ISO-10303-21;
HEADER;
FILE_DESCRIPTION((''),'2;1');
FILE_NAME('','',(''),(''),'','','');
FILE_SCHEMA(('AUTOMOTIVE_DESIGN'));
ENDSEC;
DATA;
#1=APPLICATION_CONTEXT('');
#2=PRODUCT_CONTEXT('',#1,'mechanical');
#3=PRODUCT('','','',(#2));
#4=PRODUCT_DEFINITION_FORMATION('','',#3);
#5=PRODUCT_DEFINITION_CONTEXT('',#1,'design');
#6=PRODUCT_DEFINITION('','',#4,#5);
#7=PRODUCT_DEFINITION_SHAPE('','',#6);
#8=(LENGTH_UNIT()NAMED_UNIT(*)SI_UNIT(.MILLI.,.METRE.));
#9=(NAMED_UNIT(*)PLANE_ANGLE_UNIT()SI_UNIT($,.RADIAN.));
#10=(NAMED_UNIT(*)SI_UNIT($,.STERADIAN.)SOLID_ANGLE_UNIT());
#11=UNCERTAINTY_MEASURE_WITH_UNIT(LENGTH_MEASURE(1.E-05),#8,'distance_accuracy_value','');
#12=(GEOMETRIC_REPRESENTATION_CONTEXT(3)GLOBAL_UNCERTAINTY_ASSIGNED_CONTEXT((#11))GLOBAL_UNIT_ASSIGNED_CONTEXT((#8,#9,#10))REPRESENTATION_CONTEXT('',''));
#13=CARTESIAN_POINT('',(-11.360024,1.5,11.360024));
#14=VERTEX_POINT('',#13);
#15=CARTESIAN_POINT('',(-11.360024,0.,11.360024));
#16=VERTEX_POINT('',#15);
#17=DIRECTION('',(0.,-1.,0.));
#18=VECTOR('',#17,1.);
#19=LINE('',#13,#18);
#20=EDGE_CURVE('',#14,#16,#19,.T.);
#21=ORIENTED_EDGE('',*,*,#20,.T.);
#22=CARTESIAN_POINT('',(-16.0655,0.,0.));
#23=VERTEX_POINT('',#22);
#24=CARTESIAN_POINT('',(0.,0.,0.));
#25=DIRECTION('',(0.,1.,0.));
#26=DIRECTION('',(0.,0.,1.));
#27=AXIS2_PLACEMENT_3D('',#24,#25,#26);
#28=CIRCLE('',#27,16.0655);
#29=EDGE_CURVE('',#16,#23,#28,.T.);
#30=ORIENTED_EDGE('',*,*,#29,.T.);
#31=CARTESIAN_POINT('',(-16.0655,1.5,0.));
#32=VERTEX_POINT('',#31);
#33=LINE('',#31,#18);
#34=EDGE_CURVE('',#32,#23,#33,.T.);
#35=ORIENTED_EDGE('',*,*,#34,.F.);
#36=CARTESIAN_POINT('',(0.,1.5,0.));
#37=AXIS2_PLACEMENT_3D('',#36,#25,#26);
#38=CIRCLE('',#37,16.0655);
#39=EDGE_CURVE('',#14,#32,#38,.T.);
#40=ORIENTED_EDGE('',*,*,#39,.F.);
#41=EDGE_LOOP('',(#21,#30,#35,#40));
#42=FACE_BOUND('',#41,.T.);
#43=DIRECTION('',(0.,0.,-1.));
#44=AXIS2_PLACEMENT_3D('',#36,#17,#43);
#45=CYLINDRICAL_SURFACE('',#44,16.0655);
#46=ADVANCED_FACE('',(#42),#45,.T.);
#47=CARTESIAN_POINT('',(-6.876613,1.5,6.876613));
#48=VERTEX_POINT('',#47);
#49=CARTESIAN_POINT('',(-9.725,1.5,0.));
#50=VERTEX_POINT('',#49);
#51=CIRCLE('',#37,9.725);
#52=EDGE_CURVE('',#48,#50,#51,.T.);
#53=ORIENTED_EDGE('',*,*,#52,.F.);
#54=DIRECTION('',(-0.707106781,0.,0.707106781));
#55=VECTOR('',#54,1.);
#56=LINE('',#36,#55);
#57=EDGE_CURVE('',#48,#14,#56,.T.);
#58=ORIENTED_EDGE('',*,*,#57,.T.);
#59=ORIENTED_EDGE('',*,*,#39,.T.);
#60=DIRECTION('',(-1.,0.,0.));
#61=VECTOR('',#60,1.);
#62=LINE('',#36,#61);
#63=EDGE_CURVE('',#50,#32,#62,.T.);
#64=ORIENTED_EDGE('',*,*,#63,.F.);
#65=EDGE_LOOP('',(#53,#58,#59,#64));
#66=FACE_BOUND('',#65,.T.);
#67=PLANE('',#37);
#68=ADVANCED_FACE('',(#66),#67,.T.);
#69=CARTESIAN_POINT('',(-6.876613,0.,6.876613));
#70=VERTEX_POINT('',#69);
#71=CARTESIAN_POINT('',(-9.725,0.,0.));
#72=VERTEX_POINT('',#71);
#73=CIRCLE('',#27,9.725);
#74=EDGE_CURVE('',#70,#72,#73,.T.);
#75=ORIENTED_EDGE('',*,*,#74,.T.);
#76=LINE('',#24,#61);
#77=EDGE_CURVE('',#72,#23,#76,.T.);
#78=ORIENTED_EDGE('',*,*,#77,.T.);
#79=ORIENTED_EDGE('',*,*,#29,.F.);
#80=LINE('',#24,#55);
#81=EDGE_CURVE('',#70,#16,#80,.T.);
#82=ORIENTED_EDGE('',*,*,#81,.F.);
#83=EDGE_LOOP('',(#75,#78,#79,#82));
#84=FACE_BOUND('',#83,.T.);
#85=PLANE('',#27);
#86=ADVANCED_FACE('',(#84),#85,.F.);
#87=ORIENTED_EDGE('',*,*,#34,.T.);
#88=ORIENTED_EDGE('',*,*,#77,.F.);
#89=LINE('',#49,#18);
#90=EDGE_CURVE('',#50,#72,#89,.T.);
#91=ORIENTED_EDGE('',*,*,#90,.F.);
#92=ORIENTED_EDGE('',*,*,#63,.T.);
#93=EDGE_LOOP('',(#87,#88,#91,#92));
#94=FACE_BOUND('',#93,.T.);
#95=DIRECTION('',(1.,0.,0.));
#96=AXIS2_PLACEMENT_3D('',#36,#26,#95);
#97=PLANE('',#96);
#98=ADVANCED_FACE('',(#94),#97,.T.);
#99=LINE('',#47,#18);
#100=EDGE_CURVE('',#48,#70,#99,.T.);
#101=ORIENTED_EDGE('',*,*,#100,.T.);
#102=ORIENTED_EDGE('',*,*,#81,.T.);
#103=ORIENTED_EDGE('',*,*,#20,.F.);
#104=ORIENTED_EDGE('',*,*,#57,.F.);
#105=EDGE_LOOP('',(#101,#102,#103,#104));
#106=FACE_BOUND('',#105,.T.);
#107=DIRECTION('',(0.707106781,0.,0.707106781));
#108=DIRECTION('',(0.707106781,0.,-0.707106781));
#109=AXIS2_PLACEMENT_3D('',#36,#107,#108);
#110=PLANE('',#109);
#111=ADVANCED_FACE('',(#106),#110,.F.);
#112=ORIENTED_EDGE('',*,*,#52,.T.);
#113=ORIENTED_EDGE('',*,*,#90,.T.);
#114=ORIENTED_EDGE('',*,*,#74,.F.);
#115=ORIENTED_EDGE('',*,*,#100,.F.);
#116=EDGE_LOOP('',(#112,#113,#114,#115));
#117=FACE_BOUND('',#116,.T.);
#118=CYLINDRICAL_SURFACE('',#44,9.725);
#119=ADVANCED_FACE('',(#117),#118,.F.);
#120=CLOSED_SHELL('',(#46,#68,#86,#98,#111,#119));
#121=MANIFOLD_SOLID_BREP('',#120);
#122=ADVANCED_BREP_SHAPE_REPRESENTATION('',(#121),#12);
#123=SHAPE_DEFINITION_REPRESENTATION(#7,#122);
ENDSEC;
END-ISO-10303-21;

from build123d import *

# Parameters (mm, degrees)
BOSS_EXTRUDE1_DEPTH = 1.5


with BuildPart() as part:
    # Sketch1 → Boss-Extrude1 (new body)
    with BuildSketch(Plane(origin=(0, 0, 0), x_dir=(1, 0, 0), z_dir=(0, 1, 0))):
        with BuildLine():
            Line((-16.0655, 0), (-9.725, 0))
            ThreePointArc((-9.725, 0), (8.984728454, 3.72159638), (-6.876613447, -6.876613447))
            Line((-6.876613447, -6.876613447), (-11.360023993, -11.360023993))
            ThreePointArc((-11.360023993, -11.360023993), (14.84258663, 6.148000683), (-16.0655, 0))
        make_face()
    extrude(amount=BOSS_EXTRUDE1_DEPTH)


solid = part.part
